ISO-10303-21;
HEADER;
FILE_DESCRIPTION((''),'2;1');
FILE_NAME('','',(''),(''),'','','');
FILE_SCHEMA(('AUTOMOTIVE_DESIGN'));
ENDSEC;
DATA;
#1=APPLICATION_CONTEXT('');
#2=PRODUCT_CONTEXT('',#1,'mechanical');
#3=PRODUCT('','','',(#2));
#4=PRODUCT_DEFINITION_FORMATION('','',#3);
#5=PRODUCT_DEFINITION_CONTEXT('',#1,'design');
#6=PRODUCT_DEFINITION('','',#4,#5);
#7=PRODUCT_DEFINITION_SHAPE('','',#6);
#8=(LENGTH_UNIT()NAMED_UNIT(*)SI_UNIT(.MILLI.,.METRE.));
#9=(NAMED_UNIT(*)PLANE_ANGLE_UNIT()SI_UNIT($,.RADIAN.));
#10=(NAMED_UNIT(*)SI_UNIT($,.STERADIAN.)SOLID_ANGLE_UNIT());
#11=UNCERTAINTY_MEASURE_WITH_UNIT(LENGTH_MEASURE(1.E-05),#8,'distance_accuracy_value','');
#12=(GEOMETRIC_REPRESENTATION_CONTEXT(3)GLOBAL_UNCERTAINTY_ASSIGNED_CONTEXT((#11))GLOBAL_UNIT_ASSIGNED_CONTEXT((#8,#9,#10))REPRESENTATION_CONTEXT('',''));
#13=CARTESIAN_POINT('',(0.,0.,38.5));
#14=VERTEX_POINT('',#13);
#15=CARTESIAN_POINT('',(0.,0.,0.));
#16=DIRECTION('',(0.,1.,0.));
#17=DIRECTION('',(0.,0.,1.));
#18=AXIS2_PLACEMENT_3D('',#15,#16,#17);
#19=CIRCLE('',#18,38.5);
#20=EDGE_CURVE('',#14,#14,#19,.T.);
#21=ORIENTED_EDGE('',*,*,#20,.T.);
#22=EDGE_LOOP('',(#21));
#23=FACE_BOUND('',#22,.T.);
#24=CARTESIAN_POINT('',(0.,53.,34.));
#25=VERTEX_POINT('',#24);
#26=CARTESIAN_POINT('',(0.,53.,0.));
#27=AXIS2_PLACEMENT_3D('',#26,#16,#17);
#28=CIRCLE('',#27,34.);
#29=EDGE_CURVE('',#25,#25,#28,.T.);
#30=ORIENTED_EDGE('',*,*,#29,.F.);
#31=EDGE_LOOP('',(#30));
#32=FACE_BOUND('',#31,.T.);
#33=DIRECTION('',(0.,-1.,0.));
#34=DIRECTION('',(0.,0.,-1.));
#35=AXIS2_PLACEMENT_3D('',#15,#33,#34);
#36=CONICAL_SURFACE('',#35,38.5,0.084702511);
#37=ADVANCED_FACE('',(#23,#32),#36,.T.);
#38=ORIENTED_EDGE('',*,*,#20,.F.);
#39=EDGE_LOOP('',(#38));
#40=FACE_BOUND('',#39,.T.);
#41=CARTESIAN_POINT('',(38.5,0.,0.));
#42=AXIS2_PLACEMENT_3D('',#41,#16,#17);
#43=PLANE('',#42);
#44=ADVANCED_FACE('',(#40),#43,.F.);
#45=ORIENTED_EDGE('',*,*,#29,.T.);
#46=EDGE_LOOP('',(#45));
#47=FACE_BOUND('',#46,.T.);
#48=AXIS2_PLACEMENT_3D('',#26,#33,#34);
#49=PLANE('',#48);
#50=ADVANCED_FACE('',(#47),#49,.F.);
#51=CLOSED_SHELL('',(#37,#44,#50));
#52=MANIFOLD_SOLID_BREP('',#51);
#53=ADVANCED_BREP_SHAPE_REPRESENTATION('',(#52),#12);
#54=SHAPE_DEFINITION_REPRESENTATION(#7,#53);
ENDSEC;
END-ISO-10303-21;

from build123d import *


with BuildPart() as part:
    # Sketch2 → Revolve1 (revolve)
    with BuildSketch(Plane.XY, mode=Mode.PRIVATE) as revolve1_sk:
        Polygon((0, 53), (34, 53), (38.5, 0), (0, 0), align=None)
    revolve(revolve1_sk.sketch.rotate(Axis((0, 37.693158885, 0), (0, -1, 0)), 90), axis=Axis((0, 37.693158885, 0), (0, -1, 0)))


solid = part.part
